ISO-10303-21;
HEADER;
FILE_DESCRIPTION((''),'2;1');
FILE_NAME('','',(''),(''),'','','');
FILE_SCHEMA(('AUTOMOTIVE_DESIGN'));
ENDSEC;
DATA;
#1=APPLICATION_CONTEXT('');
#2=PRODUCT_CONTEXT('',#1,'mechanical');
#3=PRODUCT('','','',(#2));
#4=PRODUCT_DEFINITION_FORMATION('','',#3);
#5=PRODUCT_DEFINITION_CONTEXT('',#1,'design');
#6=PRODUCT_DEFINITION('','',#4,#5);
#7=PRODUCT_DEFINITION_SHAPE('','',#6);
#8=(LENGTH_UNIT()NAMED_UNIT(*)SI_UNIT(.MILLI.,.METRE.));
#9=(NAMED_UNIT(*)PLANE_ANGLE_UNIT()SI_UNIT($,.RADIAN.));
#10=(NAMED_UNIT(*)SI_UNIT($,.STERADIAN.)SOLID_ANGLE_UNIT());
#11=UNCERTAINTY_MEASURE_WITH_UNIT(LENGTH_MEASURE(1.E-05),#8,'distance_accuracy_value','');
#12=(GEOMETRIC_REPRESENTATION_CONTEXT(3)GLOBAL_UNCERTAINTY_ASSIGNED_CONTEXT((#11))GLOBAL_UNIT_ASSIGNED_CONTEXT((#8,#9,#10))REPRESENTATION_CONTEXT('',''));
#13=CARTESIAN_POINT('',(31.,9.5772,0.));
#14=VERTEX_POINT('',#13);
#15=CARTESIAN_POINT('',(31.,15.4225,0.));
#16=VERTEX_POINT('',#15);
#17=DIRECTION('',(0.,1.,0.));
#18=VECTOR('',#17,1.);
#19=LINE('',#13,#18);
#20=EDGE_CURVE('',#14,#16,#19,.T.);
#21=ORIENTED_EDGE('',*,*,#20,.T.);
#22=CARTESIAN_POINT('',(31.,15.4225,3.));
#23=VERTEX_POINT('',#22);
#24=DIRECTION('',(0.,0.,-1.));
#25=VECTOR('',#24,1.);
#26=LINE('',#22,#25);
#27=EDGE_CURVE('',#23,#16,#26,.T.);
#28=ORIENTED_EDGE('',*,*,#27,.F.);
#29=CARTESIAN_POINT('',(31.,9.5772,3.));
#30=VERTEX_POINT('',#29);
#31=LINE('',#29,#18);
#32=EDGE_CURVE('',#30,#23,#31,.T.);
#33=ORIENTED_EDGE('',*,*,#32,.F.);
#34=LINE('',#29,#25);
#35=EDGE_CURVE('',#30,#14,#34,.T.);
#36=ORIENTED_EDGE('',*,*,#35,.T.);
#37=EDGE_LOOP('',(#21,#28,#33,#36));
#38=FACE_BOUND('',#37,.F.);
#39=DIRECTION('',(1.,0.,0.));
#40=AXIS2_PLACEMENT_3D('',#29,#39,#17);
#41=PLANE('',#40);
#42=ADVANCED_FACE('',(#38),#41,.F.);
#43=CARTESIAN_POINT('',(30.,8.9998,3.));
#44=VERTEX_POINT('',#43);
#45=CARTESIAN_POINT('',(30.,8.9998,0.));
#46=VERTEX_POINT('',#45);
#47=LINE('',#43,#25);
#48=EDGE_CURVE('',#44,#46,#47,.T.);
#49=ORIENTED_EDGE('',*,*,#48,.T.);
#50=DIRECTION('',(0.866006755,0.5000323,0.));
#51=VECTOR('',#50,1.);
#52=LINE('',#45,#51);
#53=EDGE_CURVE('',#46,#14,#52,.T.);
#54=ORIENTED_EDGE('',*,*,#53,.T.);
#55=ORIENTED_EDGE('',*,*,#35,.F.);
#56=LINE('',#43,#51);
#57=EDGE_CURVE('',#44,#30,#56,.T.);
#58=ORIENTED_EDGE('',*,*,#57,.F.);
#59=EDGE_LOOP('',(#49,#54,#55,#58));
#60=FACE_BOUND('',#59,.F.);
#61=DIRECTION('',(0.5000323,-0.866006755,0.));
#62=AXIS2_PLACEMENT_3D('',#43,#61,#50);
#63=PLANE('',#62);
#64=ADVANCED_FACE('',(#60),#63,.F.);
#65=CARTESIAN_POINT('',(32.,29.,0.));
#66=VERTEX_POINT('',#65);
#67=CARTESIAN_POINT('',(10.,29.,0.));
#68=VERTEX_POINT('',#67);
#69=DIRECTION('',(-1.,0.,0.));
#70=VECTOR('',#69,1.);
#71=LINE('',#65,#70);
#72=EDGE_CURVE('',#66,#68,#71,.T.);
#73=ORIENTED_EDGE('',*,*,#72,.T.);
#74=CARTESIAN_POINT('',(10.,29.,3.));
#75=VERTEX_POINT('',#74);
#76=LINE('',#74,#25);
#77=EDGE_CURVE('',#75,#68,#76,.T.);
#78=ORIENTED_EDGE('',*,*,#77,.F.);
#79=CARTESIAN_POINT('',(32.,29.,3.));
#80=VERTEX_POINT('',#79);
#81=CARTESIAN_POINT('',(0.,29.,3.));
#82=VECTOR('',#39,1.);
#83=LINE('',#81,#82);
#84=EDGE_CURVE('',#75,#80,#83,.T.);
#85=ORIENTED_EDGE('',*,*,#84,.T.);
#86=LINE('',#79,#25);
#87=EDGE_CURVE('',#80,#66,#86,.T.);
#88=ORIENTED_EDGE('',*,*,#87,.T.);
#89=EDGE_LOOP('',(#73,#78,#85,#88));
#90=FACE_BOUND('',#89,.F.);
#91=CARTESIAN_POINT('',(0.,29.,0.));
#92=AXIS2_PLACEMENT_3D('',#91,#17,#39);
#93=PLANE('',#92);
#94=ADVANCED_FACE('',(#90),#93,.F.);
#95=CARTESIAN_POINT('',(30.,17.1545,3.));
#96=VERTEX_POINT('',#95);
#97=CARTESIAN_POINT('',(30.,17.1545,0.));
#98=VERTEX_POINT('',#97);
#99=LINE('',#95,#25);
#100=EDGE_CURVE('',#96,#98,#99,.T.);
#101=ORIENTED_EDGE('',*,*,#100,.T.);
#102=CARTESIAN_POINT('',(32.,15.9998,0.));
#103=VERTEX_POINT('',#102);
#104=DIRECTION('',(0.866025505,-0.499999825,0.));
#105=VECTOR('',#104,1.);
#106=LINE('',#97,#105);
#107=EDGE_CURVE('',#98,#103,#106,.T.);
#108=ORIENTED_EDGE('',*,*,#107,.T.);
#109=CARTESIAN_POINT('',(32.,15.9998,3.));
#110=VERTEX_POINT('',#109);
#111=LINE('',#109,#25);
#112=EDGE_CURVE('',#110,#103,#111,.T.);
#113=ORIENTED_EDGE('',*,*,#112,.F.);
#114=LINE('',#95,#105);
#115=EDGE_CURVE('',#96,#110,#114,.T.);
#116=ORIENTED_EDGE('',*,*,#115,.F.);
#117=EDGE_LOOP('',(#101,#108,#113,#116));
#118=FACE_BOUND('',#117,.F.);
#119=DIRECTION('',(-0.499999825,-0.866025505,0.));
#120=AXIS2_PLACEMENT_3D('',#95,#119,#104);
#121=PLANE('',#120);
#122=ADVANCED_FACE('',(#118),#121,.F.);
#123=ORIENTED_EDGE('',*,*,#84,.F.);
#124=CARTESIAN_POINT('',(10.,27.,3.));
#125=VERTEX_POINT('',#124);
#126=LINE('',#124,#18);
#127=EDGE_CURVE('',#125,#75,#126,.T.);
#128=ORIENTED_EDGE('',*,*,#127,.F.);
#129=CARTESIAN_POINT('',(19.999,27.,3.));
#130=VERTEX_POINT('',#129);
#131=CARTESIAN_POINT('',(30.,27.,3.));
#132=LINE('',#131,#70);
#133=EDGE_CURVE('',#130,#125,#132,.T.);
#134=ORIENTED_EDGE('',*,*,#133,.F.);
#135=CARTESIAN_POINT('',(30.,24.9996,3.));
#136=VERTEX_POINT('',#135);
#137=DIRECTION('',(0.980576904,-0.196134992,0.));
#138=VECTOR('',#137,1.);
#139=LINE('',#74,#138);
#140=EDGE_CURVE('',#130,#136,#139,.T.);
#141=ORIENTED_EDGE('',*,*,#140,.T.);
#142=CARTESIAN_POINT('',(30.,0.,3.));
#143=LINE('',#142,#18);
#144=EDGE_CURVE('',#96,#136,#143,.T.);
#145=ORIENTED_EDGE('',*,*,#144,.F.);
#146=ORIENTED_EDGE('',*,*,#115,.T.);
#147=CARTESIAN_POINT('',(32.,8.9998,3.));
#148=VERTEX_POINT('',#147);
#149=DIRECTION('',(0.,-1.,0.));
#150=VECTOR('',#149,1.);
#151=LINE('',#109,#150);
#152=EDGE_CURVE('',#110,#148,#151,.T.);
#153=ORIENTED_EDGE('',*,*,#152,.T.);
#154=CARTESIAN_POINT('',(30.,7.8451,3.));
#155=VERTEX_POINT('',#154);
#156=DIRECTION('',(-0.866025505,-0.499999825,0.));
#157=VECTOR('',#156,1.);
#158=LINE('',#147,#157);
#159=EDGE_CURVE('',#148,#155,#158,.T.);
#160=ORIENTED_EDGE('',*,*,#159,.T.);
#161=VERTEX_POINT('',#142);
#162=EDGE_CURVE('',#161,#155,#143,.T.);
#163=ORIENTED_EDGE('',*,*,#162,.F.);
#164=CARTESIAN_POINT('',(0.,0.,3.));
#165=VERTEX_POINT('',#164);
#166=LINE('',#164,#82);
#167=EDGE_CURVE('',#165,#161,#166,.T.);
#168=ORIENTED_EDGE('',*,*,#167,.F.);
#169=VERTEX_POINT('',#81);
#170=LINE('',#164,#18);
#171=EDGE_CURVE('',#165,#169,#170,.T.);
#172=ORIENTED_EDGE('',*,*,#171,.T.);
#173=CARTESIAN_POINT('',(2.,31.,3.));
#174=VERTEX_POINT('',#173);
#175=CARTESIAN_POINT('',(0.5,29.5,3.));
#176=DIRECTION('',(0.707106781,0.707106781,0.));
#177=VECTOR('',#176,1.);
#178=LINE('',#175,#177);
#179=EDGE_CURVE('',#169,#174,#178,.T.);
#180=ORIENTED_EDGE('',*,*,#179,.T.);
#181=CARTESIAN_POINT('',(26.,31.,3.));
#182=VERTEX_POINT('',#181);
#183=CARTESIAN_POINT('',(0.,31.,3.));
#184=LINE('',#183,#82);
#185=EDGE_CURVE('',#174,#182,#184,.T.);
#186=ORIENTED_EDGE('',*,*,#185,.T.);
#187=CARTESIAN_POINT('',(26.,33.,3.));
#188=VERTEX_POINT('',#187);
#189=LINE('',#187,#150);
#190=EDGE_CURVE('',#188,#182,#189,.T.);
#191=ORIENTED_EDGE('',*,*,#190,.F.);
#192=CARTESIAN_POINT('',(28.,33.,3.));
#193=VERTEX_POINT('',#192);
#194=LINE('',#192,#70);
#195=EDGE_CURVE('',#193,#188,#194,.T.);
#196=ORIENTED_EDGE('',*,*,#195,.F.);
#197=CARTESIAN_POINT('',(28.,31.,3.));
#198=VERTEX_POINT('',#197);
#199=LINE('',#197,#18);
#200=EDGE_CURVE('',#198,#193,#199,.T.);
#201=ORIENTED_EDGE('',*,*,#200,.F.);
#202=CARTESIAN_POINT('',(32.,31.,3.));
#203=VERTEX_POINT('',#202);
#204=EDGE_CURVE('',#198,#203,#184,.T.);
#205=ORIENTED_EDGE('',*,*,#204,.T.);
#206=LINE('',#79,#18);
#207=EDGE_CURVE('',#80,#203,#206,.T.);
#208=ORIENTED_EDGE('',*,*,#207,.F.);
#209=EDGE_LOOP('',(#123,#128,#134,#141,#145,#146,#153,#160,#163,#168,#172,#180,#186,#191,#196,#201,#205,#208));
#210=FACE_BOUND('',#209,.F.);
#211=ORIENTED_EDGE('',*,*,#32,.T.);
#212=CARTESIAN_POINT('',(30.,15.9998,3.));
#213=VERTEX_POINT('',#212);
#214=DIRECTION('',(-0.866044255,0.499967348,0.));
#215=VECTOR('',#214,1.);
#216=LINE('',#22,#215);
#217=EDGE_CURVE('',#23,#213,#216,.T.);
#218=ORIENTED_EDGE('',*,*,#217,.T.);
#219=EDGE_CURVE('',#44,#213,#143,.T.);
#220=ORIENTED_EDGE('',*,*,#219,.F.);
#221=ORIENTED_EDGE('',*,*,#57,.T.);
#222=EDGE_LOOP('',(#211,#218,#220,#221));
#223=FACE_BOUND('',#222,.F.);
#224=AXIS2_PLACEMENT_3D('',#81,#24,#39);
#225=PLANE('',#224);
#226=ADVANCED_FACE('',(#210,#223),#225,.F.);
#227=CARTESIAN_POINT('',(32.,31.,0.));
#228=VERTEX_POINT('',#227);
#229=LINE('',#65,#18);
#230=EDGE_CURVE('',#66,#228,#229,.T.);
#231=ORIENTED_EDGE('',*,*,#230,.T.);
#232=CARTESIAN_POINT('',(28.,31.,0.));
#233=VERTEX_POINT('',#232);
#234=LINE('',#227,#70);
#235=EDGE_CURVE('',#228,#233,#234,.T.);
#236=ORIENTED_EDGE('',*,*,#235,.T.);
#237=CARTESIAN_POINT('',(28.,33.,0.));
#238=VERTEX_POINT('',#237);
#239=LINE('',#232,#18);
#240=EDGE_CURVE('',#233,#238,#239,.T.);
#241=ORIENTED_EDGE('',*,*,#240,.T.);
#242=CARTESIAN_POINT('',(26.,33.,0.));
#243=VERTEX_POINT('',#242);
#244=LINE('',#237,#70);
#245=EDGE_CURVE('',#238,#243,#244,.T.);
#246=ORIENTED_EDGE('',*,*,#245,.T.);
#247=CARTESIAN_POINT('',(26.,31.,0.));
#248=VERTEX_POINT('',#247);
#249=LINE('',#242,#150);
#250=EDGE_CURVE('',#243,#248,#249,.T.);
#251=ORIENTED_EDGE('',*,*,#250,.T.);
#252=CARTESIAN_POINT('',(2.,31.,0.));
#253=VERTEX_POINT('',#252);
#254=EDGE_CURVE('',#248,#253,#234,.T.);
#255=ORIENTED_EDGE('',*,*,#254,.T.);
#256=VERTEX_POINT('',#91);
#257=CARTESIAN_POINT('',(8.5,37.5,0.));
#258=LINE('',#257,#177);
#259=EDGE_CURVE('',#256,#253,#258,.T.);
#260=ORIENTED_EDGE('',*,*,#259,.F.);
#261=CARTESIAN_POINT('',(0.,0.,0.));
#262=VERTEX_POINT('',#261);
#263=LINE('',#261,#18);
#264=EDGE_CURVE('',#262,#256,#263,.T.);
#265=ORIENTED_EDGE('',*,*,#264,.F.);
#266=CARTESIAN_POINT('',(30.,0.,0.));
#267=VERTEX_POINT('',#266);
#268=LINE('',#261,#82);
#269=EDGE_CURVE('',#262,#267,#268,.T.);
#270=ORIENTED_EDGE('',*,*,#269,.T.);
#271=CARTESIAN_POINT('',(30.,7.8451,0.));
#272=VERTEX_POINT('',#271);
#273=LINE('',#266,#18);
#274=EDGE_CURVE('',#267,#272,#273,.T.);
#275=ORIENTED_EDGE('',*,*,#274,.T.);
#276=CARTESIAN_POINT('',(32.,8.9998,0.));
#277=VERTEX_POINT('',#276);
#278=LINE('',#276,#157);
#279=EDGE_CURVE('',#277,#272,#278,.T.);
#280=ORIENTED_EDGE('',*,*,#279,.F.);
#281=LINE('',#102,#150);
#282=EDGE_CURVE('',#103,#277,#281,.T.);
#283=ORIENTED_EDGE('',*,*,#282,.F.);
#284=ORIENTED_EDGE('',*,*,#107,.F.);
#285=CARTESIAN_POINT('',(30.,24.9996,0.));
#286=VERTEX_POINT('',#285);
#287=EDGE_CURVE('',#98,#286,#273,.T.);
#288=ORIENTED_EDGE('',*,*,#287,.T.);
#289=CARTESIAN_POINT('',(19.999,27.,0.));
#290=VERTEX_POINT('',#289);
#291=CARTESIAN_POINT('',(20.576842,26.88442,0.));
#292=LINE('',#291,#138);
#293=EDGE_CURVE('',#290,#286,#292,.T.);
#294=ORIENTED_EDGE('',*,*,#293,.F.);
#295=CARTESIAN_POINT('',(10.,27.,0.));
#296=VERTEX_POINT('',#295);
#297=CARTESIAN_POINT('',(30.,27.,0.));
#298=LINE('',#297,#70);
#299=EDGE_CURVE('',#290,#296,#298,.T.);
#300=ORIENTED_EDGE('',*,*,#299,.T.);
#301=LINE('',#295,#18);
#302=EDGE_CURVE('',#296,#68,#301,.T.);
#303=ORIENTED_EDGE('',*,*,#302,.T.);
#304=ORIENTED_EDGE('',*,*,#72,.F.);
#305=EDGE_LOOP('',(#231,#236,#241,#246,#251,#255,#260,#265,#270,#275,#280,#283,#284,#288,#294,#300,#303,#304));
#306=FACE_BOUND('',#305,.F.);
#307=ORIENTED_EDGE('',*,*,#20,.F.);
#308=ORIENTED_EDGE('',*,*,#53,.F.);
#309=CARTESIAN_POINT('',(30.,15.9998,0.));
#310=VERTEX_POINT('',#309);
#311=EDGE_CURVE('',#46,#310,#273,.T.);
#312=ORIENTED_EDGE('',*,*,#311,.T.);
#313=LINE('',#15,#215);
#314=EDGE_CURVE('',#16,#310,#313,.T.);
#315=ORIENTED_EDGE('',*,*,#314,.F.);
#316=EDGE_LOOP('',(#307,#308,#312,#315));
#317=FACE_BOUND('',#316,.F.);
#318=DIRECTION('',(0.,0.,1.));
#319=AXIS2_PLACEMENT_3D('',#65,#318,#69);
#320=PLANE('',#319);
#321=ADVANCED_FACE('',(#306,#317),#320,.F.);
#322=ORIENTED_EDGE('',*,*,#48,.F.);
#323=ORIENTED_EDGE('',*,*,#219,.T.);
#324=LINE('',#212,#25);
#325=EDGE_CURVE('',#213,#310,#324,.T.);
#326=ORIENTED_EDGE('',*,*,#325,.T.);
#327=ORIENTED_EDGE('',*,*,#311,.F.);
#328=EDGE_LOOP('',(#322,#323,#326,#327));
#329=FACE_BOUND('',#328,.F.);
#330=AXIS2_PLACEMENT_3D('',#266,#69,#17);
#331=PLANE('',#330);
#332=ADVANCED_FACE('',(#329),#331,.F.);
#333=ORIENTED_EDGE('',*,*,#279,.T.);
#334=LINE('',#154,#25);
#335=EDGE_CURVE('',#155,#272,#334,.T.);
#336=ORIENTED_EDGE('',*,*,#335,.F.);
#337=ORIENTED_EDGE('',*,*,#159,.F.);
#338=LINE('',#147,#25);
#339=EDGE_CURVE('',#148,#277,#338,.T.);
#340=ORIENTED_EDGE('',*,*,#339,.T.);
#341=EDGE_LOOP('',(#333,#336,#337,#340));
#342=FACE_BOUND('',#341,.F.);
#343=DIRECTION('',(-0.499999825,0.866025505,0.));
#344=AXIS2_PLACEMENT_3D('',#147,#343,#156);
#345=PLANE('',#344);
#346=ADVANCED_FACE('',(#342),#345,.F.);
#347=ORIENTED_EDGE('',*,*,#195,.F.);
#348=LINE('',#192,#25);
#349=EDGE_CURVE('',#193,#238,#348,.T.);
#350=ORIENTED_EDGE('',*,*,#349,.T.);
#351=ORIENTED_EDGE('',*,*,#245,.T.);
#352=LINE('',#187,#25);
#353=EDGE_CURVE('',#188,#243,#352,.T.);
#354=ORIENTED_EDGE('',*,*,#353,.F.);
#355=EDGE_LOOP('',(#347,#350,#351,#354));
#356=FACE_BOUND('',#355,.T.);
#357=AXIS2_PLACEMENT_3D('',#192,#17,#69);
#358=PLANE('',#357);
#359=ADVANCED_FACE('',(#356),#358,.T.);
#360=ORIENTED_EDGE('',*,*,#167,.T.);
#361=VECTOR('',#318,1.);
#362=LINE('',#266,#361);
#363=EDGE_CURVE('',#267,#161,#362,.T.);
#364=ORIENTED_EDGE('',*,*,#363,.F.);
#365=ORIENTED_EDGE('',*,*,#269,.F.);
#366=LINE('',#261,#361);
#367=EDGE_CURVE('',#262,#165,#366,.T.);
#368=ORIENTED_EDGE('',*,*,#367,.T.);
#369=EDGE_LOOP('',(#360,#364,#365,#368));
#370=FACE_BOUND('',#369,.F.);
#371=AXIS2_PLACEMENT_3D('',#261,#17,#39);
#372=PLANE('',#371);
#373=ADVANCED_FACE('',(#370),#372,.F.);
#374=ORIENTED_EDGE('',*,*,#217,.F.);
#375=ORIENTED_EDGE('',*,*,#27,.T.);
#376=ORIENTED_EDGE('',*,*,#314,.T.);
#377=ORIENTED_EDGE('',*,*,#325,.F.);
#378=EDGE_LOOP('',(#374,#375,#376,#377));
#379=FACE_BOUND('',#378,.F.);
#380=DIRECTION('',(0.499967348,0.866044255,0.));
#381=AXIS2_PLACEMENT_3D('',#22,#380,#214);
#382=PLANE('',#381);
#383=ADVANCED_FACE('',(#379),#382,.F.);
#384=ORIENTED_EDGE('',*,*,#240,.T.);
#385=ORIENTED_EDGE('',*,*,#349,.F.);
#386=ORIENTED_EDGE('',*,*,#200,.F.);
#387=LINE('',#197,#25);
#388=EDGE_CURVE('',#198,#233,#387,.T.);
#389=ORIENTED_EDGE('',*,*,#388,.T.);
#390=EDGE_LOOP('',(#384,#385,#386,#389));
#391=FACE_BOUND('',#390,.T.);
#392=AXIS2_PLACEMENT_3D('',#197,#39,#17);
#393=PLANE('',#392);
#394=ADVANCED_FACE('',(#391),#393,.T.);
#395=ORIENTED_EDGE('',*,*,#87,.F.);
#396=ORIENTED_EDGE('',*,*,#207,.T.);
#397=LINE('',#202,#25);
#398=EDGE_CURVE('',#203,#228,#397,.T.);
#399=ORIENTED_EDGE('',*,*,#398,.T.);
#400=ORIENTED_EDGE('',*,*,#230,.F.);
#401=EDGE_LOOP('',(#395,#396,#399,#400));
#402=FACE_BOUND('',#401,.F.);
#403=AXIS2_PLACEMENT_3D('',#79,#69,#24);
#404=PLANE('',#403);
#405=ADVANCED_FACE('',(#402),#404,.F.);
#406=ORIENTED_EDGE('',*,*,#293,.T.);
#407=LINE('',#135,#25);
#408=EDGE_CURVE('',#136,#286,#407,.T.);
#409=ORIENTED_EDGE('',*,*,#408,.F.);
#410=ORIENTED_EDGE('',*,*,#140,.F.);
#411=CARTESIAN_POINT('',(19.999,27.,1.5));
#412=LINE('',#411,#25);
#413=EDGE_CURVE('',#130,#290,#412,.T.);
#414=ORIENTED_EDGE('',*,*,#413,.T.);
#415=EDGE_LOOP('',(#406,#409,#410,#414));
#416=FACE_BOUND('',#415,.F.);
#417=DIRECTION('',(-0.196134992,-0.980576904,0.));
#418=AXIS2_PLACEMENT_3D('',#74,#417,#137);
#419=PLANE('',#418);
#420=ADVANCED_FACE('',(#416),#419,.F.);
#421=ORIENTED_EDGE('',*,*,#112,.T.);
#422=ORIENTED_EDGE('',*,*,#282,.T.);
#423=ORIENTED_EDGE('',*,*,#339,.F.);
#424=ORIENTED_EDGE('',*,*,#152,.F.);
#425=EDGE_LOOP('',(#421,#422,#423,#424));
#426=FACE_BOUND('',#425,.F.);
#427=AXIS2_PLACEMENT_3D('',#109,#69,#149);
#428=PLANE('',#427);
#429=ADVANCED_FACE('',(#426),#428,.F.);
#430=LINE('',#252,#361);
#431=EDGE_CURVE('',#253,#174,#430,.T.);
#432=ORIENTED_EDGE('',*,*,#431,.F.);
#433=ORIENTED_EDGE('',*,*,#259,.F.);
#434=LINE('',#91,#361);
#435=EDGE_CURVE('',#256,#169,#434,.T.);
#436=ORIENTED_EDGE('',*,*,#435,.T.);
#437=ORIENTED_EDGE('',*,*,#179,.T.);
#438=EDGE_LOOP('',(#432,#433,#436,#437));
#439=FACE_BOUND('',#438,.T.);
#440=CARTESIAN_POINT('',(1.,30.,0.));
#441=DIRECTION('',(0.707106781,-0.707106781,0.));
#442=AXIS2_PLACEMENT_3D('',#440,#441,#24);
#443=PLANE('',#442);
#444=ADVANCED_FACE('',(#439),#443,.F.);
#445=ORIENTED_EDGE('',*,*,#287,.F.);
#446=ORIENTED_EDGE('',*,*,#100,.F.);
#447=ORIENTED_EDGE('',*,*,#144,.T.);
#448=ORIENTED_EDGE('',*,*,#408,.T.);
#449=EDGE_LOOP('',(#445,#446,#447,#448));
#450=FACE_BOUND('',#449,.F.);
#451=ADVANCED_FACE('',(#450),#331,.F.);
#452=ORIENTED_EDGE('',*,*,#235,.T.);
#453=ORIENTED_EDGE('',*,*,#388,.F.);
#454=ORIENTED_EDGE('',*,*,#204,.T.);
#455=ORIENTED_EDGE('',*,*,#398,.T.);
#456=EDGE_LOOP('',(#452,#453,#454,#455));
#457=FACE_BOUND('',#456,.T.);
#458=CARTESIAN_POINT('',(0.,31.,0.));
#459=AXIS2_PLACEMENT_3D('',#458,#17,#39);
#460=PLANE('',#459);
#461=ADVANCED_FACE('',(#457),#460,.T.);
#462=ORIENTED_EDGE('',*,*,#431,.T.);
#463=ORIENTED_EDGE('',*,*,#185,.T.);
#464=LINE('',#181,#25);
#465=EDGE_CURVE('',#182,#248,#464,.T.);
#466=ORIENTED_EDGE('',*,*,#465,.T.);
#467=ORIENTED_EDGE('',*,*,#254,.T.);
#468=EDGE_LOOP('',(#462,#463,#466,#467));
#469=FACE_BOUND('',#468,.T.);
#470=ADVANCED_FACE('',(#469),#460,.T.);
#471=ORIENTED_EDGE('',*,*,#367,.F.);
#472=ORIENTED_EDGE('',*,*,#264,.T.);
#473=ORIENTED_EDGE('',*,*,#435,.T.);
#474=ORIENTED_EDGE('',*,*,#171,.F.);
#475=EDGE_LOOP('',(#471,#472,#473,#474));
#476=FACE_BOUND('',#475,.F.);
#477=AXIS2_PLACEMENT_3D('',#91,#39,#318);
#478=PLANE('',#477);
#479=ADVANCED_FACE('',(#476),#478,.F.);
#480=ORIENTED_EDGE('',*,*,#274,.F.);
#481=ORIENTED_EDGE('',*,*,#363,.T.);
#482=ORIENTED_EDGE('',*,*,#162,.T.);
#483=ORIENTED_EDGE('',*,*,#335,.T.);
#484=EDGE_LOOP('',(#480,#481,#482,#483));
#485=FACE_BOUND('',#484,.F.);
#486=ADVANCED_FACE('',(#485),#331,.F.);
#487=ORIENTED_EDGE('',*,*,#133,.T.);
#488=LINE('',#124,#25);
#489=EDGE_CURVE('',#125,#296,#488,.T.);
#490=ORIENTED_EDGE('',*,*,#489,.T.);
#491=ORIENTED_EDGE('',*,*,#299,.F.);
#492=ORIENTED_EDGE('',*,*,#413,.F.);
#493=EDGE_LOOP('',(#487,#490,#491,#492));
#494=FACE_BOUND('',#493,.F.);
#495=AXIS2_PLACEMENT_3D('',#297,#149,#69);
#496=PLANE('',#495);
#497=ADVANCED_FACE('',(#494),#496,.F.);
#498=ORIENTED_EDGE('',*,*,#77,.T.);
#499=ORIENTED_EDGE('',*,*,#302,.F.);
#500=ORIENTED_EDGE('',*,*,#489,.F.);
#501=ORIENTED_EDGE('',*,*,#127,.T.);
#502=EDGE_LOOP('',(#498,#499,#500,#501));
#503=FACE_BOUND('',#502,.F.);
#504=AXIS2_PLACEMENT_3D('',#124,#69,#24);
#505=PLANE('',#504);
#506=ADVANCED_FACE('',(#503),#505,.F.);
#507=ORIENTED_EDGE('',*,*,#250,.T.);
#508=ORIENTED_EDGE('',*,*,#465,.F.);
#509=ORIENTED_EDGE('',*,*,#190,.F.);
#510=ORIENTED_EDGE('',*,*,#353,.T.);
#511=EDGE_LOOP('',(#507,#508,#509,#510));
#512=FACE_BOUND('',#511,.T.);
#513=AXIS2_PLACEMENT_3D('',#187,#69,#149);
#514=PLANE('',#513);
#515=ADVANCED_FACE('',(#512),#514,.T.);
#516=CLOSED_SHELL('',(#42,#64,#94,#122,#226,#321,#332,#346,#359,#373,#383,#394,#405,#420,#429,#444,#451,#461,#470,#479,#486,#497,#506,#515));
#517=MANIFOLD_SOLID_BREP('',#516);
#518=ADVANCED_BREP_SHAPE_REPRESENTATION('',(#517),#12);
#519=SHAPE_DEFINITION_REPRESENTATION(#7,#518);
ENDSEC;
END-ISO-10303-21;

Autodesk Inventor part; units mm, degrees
ref_plane "YZ Plane" through (0, 0, 0) normal (1, 0, 0) x (0, 1, 0)
ref_plane "XZ Plane" through (0, 0, 0) normal (0, 1, 0) x (-1, 0, 0)
ref_plane "XY Plane" through (0, 0, 0) normal (0, 0, 1) x (1, 0, 0)
sketch "Sketch1" plane through (0, 0, 0) normal (0, 0, 1) x (1, 0, 0)
  line L0 (0, 0) -> (30, 0)
  line L1 (30, 0) -> (30, 27)
  line L2 (30, 27) -> (0, 27)
  line L3 (0, 27) -> (0, 0)
  dimension "d0" = 30
  dimension "d1" = 27
extrude "Extrusion1" add sketch "Sketch1" along normal blind 3
sketch "Sketch2" plane through (0, 27, 0) normal (0, 1, 0) x (1, 0, 0)
  line L0 (0, 0) -> (0, -3) projected
  line L1 (0, 0) -> (30, 0) projected
  line L2 (0, -3) -> (10, -3)
  line L3 (10, -3) -> (10, 0)
  line L4 (10, 0) -> (0, 0)
  line L5 (0, 0) -> (0, -3)
  dimension "d4" = 10
extrude "Extrusion2" add sketch "Sketch2" along normal blind 2
sketch "Sketch3" plane through (0, 29, 0) normal (0, 1, 0) x (1, 0, 0)
  line L0 (0, 0) -> (0, -3) projected
  line L1 (0, -3) -> (32, -3)
  line L2 (32, -3) -> (32, 0)
  line L3 (32, 0) -> (0, 0)
  line L4 (0, 0) -> (0, -3)
  point P0 (30, 0)
  dimension "d7" = 2
extrude "Extrusion3" add sketch "Sketch3" along normal blind 2
chamfer "Chamfer1" distance 2 angle 45 1 edges at (0, 31, 1.5)
sketch "Sketch4" plane through (0, 0, 3) normal (0, 0, 1) x (1, 0, 0)
  line L0 (32, 29) -> (10, 29) projected
  line L1 (10, 29) -> (30, 24.9996)
  line L2 (10, 27) -> (10, 29) projected
  line L3 (30.3923, 26.9608) -> (10, 29)
  line L4 (10, 29) -> (10.3923, 30.9612) construction
  line L5 (10.3923, 30.9612) -> (30.3923, 26.9608) construction
  line L6 (30, 0) -> (30, 27) projected
  line L7 (30, 24.9996) -> (30.3923, 26.9608)
  point P0 (0, 0)
  dimension "d35" = 2
  dimension "d36" = 2
extrude "Extrusion4" cut sketch "Sketch4" against normal through all contours L3 L6 L1
sketch "Sketch5" plane through (0, 0, 3) normal (0, 0, 1) x (1, 0, 0)
  line L0 (2, 31) -> (32, 31) projected
  line L1 (26, 31) -> (28, 31)
  line L2 (28, 31) -> (28, 33)
  line L3 (28, 33) -> (26, 33)
  line L4 (26, 33) -> (26, 31)
  line L5 (30, 0) -> (30, 24.9996) projected
  point P0 (0, 0)
  dimension "d16" = 2
  dimension "d17" = 2
  dimension "d18" = 2
extrude "Extrusion5" add sketch "Sketch5" against normal blind 3
sketch "Sketch6" plane through (0, 0, 3) normal (0, 0, 1) x (1, 0, 0)
  line L0 (30, 0) -> (30, 24.9996) projected
  line L1 (30, 17.1545) -> (32, 15.9998)
  line L2 (32, 15.9998) -> (32, 8.9998)
  line L3 (32, 8.9998) -> (30, 7.8451)
  line L4 (30, 8.9998) -> (31, 9.5772)
  line L5 (31, 9.5772) -> (31, 15.4225)
  line L6 (31, 15.4225) -> (30, 15.9998)
  line L7 (30, 7.8451) -> (30, 8.9998)
  line L8 (30, 17.1545) -> (30, 15.9998)
  point P0 (0, 0)
  point P1 (32, 12.4998)
  point P2 (30, 12.4998)
  dimension "d27" = 120
  dimension "d29" = 120
  dimension "d30" = 2
  dimension "d31" = 7
  dimension "d32" = 1
extrude "Extrusion6" add sketch "Sketch6" against normal blind 3 contours L0 L4 L5 L6 L1 L2 L3
properties part number "TA11" material "ABS Plastic"
